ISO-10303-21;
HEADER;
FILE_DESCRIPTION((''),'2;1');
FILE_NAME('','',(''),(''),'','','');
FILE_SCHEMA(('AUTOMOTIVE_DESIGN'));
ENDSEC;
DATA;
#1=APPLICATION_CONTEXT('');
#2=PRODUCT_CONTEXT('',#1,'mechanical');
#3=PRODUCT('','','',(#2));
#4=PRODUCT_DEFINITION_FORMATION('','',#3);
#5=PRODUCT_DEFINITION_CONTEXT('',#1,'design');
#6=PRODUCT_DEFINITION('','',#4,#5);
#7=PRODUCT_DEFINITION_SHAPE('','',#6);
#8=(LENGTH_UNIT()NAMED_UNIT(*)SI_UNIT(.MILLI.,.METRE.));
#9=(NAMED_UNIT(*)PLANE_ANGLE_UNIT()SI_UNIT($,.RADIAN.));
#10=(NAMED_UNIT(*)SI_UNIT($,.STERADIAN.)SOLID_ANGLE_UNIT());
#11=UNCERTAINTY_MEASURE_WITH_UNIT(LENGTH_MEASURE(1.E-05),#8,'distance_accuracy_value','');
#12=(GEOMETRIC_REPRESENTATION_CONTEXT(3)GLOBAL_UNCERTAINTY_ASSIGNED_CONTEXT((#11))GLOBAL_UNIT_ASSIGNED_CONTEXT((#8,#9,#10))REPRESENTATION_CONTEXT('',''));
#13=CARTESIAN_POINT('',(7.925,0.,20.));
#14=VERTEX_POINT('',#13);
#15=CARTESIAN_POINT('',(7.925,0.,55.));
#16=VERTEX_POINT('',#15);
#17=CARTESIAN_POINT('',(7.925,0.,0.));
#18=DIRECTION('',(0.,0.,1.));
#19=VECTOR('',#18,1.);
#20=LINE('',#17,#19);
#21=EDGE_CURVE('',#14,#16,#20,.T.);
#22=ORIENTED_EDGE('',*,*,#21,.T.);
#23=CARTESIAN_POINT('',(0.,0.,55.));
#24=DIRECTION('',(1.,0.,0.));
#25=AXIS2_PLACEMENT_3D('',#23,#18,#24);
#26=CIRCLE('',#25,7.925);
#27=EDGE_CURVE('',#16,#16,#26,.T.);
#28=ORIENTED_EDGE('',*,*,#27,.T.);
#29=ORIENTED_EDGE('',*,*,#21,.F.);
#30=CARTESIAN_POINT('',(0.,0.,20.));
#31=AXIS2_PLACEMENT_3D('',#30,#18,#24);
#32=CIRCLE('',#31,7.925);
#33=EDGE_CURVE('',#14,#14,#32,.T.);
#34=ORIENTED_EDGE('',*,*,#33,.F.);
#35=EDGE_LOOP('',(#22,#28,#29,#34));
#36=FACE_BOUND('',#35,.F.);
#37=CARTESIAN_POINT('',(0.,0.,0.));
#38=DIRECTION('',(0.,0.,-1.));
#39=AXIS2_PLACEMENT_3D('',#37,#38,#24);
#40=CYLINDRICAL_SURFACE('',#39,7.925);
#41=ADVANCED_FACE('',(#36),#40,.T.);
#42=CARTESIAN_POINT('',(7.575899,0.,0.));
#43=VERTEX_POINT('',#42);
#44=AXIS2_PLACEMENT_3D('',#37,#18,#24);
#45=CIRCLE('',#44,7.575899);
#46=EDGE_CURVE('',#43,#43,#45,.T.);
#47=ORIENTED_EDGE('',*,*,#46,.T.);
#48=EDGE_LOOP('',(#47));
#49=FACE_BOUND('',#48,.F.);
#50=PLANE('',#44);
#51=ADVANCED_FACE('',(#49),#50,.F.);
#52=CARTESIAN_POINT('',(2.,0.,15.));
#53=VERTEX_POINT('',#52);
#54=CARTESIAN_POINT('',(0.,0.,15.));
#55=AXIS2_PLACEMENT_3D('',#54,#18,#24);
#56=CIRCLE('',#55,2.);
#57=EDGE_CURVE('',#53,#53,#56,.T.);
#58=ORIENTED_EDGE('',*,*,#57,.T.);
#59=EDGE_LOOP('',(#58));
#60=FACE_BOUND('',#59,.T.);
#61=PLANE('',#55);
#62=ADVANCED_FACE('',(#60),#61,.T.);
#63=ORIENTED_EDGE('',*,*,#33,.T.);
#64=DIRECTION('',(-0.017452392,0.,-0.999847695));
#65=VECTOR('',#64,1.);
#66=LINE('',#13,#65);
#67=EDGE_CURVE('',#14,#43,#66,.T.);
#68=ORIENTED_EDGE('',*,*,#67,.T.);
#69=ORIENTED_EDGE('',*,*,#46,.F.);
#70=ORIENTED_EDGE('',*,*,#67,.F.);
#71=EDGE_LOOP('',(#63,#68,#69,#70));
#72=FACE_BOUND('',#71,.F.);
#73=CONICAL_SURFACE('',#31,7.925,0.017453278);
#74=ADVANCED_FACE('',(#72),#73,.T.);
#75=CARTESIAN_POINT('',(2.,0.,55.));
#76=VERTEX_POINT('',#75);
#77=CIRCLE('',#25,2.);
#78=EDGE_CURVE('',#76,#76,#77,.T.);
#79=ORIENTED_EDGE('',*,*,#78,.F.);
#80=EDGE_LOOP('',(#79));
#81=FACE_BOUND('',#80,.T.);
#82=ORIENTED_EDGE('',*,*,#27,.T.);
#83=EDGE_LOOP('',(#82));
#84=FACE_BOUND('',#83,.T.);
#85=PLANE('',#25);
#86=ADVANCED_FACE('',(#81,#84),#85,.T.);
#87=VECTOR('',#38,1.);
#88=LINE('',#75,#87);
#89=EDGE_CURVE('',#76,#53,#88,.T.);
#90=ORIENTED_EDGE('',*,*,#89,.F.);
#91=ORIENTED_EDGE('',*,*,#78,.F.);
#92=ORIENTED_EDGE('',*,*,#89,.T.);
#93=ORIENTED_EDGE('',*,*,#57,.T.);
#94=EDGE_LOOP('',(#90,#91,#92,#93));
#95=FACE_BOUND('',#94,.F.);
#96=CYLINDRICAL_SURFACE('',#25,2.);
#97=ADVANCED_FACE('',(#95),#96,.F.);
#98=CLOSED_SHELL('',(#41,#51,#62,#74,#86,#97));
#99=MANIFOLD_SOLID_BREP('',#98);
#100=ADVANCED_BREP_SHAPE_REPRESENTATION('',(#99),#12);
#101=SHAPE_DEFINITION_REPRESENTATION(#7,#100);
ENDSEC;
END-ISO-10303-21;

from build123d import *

# Parameters (mm, degrees)
F0_R     = 7.925
F1_DEPTH = 55
F3_SIZE2 = 0.349101
F3_SIZE  = 20
F2_R     = 2
F4_DEPTH = 40


with BuildPart() as f1:
    # F0 (on Top) → F1 (new body)
    with BuildSketch(Plane.XY):
        Circle(F0_R)
    extrude(amount=F1_DEPTH)

    # F3
    f3_edges = [f1.edges().sort_by_distance(p)[0] for p in [
        (-7.925, 0, 0),
    ]]
    chamfer(f3_edges, length=F3_SIZE, length2=F3_SIZE2)

    # F2 (on face) → F4 (cut)
    with BuildSketch(Plane.XY.offset(55)):
        Circle(F2_R)
    extrude(amount=-F4_DEPTH, mode=Mode.SUBTRACT)


solid = f1.part
